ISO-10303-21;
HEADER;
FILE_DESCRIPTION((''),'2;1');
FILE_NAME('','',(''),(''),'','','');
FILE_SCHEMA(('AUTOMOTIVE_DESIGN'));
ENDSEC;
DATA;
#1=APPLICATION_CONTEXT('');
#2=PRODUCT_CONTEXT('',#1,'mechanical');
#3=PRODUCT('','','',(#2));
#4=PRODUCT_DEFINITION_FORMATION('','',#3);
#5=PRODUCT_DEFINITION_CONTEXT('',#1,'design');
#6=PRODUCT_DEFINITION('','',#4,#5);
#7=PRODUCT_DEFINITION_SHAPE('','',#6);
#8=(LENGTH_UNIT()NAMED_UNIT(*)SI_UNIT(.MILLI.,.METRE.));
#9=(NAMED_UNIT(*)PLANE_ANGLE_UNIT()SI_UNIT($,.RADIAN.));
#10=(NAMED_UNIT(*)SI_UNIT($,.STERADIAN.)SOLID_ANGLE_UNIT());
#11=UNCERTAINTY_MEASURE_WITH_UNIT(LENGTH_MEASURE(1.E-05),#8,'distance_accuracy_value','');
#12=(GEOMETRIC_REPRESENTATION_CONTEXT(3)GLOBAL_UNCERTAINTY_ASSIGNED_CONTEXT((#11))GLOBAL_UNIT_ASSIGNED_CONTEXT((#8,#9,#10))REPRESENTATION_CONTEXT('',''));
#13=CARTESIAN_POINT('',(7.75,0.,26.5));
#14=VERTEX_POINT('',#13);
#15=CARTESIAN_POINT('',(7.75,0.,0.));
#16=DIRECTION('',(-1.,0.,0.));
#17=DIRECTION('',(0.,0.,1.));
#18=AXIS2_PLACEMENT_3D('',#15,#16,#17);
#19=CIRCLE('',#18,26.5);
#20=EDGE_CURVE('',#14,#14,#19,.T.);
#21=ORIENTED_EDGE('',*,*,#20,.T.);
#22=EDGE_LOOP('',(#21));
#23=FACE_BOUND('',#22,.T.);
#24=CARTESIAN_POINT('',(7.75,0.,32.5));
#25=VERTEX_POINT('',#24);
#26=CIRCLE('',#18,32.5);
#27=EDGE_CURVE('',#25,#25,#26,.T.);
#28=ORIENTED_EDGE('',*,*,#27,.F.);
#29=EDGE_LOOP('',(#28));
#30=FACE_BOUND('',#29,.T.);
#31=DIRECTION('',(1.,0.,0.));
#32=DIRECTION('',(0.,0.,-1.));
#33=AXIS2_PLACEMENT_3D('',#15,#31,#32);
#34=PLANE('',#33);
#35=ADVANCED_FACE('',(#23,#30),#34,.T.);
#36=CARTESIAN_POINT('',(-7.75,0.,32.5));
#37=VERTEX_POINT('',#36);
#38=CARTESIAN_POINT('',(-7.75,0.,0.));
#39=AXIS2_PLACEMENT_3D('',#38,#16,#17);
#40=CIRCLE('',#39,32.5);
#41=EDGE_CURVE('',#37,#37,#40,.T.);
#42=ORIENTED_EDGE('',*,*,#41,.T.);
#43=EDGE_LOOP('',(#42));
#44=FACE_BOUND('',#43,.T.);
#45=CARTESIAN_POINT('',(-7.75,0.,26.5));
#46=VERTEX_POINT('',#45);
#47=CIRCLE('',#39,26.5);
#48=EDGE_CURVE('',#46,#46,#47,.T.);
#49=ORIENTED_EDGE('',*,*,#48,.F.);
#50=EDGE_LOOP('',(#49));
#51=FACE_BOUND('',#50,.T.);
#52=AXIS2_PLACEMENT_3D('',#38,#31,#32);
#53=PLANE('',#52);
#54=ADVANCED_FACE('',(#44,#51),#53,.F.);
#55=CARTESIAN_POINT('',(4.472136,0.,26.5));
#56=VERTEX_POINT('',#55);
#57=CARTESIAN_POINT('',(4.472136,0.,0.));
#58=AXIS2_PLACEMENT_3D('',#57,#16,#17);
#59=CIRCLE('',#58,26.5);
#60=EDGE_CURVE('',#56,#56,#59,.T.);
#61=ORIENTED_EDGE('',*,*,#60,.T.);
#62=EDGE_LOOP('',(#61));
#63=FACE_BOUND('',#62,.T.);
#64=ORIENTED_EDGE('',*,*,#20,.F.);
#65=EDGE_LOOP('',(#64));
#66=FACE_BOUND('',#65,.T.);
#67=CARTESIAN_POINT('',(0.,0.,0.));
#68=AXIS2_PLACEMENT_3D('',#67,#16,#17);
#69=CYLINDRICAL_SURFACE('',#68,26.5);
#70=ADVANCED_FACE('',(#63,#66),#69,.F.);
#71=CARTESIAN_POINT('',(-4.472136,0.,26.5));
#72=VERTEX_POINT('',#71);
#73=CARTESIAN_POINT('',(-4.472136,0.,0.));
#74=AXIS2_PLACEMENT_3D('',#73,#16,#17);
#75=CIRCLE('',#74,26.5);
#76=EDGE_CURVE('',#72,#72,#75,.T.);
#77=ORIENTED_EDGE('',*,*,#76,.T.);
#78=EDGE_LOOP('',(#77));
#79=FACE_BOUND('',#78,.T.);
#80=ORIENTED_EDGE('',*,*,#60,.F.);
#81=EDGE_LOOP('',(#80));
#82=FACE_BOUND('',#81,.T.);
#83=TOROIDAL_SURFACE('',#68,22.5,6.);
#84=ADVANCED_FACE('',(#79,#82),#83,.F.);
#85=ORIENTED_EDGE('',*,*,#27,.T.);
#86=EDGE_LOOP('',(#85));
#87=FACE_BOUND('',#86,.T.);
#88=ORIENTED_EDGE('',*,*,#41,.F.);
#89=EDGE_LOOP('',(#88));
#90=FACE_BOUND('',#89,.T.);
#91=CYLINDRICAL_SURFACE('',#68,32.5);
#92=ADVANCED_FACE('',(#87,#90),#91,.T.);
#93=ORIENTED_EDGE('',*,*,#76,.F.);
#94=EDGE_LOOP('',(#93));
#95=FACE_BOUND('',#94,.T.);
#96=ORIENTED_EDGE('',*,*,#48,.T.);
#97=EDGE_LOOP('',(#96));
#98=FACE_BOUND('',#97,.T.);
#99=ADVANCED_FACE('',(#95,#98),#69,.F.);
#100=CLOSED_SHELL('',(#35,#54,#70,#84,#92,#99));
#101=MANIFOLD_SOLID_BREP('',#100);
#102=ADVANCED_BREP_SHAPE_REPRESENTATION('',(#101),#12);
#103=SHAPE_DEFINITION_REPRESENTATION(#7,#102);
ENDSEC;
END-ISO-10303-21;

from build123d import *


with BuildPart() as part:
    # Sketch1 → Revolve1 (revolve)
    with BuildSketch(Plane.XY, mode=Mode.PRIVATE) as revolve1_sk:
        with BuildLine():
            ThreePointArc((4.472135955, 26.5), (0, 28.5), (-4.472135955, 26.5))
            Line((-4.472135955, 26.5), (-7.75, 26.5))
            Line((-7.75, 26.5), (-7.75, 32.5))
            Line((-7.75, 32.5), (7.75, 32.5))
            Line((7.75, 32.5), (7.75, 26.5))
            Line((7.75, 26.5), (4.472135955, 26.5))
        make_face()
    revolve(revolve1_sk.sketch.rotate(Axis((0, 0, 0), (1, 0, 0)), 90), axis=Axis((0, 0, 0), (1, 0, 0)))


solid = part.part
